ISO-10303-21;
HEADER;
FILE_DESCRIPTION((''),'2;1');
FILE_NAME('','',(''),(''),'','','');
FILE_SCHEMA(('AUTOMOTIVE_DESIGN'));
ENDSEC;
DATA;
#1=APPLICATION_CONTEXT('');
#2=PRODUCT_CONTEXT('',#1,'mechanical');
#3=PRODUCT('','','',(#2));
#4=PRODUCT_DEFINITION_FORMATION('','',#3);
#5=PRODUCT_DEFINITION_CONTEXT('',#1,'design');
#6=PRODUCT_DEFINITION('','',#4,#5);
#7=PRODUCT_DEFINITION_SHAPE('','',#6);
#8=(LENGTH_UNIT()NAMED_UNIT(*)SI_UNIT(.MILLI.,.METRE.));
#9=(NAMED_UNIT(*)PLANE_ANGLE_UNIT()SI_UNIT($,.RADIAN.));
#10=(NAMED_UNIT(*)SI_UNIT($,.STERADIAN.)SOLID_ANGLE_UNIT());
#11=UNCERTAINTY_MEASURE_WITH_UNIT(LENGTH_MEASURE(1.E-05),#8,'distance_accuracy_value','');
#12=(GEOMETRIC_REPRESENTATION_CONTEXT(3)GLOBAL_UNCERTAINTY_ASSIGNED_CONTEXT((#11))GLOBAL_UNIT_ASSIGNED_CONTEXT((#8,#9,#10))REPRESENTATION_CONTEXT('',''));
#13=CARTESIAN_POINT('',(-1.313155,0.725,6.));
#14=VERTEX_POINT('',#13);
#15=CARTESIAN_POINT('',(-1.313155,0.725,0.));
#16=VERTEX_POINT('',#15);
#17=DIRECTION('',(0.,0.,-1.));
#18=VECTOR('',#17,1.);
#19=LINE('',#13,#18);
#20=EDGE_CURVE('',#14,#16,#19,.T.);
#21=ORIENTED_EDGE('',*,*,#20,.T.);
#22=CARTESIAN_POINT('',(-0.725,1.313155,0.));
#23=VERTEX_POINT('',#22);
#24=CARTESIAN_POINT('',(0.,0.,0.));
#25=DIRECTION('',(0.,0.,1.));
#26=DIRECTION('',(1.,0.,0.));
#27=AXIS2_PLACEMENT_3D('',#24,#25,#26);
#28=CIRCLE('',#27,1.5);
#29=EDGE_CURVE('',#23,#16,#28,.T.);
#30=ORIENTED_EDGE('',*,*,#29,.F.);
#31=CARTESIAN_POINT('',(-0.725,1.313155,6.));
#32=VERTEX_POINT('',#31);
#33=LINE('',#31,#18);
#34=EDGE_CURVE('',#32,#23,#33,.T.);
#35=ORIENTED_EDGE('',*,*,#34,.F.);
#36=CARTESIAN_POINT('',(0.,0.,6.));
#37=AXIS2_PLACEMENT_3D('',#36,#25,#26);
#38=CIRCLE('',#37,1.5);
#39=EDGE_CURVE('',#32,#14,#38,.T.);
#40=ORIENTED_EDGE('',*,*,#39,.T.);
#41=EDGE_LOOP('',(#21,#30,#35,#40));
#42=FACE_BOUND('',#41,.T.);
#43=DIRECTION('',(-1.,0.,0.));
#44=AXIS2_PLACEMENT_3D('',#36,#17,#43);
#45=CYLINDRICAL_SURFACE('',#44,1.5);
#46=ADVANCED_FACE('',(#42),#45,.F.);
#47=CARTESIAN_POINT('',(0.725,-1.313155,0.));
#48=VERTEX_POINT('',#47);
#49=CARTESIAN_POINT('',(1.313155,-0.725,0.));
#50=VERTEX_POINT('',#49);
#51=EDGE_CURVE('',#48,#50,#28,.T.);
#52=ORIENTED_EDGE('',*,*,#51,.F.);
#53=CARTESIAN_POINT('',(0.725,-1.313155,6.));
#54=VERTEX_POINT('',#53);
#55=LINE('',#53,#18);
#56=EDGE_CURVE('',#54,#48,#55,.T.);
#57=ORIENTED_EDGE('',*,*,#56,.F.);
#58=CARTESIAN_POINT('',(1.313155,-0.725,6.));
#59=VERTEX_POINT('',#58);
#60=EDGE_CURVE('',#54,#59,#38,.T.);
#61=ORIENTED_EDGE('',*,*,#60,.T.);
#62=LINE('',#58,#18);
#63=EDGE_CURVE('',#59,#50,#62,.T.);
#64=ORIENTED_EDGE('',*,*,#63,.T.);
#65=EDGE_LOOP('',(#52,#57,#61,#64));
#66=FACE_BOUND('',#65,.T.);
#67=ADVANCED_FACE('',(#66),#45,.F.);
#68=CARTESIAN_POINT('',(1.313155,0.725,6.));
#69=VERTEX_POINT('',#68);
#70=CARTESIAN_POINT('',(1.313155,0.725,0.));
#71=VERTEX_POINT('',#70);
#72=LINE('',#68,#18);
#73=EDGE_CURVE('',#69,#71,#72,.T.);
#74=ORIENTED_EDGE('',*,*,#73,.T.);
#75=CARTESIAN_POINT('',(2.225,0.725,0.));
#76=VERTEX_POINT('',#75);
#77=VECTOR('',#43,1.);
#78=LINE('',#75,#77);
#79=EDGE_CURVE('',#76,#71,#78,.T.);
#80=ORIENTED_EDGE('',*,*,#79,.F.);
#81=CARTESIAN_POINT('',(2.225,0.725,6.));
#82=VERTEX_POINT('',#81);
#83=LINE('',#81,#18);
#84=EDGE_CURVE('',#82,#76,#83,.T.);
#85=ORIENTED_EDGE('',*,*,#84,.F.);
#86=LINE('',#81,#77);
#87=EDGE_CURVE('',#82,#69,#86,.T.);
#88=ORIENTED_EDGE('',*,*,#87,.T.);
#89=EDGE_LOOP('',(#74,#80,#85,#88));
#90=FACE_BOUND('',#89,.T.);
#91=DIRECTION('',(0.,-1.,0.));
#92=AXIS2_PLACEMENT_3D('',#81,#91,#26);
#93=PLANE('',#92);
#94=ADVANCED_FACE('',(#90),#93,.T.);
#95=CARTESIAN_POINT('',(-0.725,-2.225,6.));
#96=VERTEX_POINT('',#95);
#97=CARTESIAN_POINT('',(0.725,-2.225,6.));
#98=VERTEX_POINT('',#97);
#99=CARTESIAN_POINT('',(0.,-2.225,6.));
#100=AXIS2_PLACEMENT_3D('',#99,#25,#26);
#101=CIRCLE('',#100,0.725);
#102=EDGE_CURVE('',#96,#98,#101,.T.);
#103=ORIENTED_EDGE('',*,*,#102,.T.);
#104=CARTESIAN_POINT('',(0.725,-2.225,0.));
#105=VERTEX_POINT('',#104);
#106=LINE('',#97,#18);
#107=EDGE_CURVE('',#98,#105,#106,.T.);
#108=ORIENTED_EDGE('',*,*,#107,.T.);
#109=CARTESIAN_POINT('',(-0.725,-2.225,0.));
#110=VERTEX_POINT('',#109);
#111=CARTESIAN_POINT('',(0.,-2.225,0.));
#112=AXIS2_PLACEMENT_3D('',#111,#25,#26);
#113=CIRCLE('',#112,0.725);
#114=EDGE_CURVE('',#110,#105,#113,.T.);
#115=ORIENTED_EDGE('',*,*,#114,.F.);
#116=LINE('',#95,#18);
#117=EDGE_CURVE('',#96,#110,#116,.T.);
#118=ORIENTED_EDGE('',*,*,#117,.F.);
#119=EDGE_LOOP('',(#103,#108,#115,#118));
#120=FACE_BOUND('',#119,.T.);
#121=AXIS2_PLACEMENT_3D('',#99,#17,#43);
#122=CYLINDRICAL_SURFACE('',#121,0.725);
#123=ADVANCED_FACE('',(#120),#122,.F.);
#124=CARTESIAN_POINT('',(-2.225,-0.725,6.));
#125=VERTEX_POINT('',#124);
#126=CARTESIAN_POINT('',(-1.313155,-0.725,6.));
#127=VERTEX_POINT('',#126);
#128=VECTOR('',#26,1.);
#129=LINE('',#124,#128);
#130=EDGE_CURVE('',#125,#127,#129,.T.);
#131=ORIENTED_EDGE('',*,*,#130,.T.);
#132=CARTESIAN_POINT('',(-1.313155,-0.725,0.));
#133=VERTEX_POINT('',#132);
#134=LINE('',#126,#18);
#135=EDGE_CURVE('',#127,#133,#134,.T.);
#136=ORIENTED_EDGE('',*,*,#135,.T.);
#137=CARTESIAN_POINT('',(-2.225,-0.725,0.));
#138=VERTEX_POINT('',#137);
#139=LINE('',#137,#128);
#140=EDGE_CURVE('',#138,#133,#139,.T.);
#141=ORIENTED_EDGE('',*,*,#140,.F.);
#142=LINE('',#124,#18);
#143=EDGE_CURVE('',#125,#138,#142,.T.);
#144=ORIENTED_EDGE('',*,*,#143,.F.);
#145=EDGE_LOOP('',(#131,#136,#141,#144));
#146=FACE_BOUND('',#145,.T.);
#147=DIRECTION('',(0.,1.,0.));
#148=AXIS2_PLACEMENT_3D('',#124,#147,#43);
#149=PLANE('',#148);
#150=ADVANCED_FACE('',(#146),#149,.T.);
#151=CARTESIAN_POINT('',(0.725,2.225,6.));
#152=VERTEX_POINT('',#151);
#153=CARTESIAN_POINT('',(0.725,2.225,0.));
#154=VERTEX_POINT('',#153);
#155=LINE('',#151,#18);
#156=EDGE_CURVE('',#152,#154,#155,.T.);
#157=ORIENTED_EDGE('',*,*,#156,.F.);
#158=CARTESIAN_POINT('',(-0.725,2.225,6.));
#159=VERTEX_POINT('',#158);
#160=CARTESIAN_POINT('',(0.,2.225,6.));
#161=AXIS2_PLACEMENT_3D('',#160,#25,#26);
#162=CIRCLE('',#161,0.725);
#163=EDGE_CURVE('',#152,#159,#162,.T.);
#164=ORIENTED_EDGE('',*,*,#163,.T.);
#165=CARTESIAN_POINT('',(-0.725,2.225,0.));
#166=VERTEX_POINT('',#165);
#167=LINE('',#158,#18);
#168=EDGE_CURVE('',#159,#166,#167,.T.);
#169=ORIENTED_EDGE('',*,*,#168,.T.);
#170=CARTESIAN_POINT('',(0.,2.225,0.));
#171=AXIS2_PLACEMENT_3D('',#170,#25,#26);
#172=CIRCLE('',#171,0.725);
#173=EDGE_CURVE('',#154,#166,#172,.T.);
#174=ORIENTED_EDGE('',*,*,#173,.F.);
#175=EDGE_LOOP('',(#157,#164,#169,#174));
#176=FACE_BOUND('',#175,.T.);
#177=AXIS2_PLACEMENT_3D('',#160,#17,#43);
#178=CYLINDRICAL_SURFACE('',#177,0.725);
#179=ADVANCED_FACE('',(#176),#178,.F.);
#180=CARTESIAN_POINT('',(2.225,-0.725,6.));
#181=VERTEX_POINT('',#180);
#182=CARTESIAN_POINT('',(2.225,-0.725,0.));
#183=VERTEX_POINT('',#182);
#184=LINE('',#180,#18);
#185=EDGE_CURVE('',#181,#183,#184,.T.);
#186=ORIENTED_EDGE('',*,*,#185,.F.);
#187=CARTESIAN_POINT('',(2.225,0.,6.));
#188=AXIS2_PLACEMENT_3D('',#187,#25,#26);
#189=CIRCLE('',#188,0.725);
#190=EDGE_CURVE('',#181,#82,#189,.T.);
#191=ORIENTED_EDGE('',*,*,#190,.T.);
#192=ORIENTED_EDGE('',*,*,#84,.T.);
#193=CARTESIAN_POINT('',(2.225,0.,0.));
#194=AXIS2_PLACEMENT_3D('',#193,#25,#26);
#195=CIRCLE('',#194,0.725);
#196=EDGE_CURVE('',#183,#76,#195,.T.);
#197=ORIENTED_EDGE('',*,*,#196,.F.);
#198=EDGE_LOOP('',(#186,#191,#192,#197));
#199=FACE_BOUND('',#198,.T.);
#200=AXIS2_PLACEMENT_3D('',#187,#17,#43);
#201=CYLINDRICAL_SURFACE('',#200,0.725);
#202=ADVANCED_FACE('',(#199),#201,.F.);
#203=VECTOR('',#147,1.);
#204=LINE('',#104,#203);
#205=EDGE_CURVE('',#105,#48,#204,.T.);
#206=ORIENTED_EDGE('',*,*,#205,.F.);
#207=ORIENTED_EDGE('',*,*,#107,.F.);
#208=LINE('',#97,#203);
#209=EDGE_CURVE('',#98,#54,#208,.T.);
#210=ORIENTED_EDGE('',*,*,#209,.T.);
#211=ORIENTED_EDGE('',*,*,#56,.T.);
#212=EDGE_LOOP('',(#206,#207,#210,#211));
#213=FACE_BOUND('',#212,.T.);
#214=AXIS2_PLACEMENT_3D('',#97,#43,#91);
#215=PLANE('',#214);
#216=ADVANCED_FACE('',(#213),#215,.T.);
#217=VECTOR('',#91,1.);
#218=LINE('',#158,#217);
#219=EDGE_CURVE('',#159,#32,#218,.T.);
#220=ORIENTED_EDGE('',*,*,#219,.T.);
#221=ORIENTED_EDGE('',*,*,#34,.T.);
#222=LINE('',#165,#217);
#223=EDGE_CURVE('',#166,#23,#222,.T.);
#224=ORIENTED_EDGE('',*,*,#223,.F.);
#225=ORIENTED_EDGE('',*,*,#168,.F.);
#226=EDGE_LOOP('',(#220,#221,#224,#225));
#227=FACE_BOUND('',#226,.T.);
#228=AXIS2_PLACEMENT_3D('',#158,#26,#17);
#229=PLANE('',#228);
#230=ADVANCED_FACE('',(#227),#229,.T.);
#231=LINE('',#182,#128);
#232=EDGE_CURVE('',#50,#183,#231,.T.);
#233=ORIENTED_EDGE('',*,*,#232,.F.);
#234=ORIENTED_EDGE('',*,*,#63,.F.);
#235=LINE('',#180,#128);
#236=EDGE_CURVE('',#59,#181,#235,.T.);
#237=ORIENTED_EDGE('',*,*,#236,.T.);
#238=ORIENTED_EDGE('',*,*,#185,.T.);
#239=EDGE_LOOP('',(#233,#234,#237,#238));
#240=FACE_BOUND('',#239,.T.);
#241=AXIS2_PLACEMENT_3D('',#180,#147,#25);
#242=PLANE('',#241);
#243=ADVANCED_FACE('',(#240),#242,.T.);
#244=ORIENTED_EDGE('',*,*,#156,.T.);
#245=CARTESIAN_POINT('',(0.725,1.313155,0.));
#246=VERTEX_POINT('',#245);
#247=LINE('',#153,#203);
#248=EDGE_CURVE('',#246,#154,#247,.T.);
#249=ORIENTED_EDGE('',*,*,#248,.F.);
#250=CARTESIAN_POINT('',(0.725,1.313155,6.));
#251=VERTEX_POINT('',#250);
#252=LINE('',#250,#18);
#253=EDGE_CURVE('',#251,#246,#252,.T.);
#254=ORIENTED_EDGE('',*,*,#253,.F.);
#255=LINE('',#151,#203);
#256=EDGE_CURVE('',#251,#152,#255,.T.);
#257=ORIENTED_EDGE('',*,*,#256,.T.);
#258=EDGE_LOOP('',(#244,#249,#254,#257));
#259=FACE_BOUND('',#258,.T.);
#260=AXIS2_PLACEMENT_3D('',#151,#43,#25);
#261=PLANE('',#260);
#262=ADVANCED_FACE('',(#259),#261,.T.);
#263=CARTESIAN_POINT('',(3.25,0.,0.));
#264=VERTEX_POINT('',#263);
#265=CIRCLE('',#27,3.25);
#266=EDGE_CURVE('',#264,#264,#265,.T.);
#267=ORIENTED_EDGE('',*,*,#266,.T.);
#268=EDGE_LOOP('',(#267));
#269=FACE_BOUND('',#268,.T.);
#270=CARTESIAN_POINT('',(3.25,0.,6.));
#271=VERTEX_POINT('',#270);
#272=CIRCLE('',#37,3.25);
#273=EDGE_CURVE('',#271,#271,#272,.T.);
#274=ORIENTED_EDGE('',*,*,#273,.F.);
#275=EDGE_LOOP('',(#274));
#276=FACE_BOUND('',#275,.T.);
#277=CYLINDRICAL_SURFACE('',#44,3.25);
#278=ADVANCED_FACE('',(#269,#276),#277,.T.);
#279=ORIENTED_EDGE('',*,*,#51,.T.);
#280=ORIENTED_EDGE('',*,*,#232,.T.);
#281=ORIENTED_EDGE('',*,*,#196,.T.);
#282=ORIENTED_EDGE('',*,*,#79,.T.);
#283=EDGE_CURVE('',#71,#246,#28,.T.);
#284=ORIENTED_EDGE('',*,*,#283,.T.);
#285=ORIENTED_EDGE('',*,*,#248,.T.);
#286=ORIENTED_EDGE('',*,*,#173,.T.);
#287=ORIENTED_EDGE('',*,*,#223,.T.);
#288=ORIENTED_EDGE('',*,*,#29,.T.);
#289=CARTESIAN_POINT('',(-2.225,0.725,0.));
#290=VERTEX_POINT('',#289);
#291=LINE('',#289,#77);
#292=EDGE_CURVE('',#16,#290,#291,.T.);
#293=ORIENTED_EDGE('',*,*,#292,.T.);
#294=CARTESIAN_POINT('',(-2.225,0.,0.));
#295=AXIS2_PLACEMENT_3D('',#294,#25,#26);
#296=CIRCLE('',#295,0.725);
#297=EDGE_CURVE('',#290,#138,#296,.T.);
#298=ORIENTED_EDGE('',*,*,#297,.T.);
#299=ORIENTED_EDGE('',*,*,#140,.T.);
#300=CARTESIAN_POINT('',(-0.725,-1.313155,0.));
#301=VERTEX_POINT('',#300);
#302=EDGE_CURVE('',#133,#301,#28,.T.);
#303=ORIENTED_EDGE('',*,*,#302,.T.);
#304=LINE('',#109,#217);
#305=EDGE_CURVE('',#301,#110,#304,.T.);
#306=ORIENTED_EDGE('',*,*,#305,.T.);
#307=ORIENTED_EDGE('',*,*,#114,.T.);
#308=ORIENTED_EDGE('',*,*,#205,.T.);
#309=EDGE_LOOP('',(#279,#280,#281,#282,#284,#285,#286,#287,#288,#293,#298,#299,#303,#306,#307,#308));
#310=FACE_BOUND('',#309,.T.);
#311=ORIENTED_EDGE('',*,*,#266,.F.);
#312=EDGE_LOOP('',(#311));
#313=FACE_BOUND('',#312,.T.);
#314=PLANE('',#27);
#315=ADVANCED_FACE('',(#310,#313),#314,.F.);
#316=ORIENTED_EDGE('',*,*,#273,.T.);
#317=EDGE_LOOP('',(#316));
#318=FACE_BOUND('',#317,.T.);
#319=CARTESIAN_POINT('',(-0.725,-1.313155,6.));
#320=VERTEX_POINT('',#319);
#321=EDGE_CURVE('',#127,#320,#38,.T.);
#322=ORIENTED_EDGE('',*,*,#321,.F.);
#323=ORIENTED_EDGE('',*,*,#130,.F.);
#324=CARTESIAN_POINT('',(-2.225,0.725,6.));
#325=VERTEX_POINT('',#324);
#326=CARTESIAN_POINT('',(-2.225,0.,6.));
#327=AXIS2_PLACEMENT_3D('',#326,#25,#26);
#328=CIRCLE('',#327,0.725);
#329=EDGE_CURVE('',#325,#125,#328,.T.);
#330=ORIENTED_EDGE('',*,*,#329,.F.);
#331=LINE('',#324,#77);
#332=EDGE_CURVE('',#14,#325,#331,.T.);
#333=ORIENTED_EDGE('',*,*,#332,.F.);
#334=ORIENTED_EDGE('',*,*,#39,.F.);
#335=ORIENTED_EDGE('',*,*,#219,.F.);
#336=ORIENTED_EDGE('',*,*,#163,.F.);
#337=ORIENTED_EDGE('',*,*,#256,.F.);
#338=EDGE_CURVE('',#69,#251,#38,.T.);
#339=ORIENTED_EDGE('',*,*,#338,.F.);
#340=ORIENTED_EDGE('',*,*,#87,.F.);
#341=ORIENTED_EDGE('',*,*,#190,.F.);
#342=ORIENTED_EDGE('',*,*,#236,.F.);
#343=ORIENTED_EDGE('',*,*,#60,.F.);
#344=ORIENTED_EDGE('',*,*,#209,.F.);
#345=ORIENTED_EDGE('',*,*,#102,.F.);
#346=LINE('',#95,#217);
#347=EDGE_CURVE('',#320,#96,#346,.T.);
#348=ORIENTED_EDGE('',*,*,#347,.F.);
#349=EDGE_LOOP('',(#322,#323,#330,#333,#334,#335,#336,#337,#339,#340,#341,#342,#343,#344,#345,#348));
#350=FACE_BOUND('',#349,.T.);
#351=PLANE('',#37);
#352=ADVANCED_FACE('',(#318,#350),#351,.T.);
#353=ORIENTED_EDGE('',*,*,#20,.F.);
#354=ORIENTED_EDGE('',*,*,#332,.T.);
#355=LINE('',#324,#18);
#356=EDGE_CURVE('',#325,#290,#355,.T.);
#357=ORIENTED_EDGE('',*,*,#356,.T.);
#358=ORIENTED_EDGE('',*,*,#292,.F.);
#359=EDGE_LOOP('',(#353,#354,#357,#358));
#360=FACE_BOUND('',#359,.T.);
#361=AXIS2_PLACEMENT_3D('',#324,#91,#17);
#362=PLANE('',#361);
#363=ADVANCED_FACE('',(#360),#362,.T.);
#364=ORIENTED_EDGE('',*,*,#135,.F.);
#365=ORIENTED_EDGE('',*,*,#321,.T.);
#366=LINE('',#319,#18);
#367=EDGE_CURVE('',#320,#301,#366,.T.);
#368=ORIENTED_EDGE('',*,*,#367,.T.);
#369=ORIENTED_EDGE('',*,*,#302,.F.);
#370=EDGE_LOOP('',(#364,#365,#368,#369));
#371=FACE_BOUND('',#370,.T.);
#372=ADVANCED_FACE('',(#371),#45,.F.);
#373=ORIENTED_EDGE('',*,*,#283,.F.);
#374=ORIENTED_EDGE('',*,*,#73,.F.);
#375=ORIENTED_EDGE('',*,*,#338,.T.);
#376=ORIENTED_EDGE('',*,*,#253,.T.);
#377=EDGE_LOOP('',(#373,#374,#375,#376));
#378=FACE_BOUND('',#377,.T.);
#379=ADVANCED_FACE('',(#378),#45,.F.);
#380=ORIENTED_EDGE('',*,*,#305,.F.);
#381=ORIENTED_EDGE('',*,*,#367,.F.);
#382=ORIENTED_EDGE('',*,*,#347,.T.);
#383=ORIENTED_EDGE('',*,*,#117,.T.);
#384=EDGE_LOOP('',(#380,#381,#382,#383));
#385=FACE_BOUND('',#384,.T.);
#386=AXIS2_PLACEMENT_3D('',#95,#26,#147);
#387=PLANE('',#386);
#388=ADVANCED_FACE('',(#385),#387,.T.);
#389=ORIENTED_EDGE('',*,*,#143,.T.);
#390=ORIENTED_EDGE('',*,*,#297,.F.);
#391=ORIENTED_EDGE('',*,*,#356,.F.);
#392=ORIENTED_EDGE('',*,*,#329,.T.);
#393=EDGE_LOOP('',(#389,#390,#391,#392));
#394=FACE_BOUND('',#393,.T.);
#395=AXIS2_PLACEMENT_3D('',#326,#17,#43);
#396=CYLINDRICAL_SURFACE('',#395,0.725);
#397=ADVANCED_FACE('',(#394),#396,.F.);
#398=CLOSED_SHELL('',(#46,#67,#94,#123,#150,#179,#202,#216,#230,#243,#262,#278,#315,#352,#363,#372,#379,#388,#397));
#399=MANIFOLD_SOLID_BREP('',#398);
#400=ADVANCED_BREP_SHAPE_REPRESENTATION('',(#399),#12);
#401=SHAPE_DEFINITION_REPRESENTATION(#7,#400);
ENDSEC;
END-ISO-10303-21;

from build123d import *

# Parameters (mm, degrees)
ESQUISSE1_R        = 3.25
BOSS_EXTRU_1_DEPTH = 6


with BuildPart() as part:
    # Esquisse1 → Boss.-Extru.1 (new body)
    with BuildSketch(Plane.XY):
        Circle(ESQUISSE1_R)
        with BuildLine():
            Line((2.225, -0.725), (1.313154599, -0.725))
            ThreePointArc((1.313154599, -0.725), (1.060660172, -1.060660172), (0.725, -1.313154599))
            Line((0.725, -1.313154599), (0.725, -2.225))
            ThreePointArc((0.725, -2.225), (0, -2.95), (-0.725, -2.225))
            Line((-0.725, -2.225), (-0.725, -1.313154599))
            ThreePointArc((-0.725, -1.313154599), (-1.060660172, -1.060660172), (-1.313154599, -0.725))
            Line((-1.313154599, -0.725), (-2.225, -0.725))
            ThreePointArc((-2.225, -0.725), (-2.95, 0), (-2.225, 0.725))
            Line((-2.225, 0.725), (-1.313154599, 0.725))
            ThreePointArc((-1.313154599, 0.725), (-1.060660172, 1.060660172), (-0.725, 1.313154599))
            Line((-0.725, 1.313154599), (-0.725, 2.225))
            ThreePointArc((-0.725, 2.225), (0, 2.95), (0.725, 2.225))
            Line((0.725, 2.225), (0.725, 1.313154599))
            ThreePointArc((0.725, 1.313154599), (1.060660172, 1.060660172), (1.313154599, 0.725))
            Line((1.313154599, 0.725), (2.225, 0.725))
            ThreePointArc((2.225, 0.725), (2.95, 0), (2.225, -0.725))
        make_face(mode=Mode.SUBTRACT)
    extrude(amount=BOSS_EXTRU_1_DEPTH)


solid = part.part
